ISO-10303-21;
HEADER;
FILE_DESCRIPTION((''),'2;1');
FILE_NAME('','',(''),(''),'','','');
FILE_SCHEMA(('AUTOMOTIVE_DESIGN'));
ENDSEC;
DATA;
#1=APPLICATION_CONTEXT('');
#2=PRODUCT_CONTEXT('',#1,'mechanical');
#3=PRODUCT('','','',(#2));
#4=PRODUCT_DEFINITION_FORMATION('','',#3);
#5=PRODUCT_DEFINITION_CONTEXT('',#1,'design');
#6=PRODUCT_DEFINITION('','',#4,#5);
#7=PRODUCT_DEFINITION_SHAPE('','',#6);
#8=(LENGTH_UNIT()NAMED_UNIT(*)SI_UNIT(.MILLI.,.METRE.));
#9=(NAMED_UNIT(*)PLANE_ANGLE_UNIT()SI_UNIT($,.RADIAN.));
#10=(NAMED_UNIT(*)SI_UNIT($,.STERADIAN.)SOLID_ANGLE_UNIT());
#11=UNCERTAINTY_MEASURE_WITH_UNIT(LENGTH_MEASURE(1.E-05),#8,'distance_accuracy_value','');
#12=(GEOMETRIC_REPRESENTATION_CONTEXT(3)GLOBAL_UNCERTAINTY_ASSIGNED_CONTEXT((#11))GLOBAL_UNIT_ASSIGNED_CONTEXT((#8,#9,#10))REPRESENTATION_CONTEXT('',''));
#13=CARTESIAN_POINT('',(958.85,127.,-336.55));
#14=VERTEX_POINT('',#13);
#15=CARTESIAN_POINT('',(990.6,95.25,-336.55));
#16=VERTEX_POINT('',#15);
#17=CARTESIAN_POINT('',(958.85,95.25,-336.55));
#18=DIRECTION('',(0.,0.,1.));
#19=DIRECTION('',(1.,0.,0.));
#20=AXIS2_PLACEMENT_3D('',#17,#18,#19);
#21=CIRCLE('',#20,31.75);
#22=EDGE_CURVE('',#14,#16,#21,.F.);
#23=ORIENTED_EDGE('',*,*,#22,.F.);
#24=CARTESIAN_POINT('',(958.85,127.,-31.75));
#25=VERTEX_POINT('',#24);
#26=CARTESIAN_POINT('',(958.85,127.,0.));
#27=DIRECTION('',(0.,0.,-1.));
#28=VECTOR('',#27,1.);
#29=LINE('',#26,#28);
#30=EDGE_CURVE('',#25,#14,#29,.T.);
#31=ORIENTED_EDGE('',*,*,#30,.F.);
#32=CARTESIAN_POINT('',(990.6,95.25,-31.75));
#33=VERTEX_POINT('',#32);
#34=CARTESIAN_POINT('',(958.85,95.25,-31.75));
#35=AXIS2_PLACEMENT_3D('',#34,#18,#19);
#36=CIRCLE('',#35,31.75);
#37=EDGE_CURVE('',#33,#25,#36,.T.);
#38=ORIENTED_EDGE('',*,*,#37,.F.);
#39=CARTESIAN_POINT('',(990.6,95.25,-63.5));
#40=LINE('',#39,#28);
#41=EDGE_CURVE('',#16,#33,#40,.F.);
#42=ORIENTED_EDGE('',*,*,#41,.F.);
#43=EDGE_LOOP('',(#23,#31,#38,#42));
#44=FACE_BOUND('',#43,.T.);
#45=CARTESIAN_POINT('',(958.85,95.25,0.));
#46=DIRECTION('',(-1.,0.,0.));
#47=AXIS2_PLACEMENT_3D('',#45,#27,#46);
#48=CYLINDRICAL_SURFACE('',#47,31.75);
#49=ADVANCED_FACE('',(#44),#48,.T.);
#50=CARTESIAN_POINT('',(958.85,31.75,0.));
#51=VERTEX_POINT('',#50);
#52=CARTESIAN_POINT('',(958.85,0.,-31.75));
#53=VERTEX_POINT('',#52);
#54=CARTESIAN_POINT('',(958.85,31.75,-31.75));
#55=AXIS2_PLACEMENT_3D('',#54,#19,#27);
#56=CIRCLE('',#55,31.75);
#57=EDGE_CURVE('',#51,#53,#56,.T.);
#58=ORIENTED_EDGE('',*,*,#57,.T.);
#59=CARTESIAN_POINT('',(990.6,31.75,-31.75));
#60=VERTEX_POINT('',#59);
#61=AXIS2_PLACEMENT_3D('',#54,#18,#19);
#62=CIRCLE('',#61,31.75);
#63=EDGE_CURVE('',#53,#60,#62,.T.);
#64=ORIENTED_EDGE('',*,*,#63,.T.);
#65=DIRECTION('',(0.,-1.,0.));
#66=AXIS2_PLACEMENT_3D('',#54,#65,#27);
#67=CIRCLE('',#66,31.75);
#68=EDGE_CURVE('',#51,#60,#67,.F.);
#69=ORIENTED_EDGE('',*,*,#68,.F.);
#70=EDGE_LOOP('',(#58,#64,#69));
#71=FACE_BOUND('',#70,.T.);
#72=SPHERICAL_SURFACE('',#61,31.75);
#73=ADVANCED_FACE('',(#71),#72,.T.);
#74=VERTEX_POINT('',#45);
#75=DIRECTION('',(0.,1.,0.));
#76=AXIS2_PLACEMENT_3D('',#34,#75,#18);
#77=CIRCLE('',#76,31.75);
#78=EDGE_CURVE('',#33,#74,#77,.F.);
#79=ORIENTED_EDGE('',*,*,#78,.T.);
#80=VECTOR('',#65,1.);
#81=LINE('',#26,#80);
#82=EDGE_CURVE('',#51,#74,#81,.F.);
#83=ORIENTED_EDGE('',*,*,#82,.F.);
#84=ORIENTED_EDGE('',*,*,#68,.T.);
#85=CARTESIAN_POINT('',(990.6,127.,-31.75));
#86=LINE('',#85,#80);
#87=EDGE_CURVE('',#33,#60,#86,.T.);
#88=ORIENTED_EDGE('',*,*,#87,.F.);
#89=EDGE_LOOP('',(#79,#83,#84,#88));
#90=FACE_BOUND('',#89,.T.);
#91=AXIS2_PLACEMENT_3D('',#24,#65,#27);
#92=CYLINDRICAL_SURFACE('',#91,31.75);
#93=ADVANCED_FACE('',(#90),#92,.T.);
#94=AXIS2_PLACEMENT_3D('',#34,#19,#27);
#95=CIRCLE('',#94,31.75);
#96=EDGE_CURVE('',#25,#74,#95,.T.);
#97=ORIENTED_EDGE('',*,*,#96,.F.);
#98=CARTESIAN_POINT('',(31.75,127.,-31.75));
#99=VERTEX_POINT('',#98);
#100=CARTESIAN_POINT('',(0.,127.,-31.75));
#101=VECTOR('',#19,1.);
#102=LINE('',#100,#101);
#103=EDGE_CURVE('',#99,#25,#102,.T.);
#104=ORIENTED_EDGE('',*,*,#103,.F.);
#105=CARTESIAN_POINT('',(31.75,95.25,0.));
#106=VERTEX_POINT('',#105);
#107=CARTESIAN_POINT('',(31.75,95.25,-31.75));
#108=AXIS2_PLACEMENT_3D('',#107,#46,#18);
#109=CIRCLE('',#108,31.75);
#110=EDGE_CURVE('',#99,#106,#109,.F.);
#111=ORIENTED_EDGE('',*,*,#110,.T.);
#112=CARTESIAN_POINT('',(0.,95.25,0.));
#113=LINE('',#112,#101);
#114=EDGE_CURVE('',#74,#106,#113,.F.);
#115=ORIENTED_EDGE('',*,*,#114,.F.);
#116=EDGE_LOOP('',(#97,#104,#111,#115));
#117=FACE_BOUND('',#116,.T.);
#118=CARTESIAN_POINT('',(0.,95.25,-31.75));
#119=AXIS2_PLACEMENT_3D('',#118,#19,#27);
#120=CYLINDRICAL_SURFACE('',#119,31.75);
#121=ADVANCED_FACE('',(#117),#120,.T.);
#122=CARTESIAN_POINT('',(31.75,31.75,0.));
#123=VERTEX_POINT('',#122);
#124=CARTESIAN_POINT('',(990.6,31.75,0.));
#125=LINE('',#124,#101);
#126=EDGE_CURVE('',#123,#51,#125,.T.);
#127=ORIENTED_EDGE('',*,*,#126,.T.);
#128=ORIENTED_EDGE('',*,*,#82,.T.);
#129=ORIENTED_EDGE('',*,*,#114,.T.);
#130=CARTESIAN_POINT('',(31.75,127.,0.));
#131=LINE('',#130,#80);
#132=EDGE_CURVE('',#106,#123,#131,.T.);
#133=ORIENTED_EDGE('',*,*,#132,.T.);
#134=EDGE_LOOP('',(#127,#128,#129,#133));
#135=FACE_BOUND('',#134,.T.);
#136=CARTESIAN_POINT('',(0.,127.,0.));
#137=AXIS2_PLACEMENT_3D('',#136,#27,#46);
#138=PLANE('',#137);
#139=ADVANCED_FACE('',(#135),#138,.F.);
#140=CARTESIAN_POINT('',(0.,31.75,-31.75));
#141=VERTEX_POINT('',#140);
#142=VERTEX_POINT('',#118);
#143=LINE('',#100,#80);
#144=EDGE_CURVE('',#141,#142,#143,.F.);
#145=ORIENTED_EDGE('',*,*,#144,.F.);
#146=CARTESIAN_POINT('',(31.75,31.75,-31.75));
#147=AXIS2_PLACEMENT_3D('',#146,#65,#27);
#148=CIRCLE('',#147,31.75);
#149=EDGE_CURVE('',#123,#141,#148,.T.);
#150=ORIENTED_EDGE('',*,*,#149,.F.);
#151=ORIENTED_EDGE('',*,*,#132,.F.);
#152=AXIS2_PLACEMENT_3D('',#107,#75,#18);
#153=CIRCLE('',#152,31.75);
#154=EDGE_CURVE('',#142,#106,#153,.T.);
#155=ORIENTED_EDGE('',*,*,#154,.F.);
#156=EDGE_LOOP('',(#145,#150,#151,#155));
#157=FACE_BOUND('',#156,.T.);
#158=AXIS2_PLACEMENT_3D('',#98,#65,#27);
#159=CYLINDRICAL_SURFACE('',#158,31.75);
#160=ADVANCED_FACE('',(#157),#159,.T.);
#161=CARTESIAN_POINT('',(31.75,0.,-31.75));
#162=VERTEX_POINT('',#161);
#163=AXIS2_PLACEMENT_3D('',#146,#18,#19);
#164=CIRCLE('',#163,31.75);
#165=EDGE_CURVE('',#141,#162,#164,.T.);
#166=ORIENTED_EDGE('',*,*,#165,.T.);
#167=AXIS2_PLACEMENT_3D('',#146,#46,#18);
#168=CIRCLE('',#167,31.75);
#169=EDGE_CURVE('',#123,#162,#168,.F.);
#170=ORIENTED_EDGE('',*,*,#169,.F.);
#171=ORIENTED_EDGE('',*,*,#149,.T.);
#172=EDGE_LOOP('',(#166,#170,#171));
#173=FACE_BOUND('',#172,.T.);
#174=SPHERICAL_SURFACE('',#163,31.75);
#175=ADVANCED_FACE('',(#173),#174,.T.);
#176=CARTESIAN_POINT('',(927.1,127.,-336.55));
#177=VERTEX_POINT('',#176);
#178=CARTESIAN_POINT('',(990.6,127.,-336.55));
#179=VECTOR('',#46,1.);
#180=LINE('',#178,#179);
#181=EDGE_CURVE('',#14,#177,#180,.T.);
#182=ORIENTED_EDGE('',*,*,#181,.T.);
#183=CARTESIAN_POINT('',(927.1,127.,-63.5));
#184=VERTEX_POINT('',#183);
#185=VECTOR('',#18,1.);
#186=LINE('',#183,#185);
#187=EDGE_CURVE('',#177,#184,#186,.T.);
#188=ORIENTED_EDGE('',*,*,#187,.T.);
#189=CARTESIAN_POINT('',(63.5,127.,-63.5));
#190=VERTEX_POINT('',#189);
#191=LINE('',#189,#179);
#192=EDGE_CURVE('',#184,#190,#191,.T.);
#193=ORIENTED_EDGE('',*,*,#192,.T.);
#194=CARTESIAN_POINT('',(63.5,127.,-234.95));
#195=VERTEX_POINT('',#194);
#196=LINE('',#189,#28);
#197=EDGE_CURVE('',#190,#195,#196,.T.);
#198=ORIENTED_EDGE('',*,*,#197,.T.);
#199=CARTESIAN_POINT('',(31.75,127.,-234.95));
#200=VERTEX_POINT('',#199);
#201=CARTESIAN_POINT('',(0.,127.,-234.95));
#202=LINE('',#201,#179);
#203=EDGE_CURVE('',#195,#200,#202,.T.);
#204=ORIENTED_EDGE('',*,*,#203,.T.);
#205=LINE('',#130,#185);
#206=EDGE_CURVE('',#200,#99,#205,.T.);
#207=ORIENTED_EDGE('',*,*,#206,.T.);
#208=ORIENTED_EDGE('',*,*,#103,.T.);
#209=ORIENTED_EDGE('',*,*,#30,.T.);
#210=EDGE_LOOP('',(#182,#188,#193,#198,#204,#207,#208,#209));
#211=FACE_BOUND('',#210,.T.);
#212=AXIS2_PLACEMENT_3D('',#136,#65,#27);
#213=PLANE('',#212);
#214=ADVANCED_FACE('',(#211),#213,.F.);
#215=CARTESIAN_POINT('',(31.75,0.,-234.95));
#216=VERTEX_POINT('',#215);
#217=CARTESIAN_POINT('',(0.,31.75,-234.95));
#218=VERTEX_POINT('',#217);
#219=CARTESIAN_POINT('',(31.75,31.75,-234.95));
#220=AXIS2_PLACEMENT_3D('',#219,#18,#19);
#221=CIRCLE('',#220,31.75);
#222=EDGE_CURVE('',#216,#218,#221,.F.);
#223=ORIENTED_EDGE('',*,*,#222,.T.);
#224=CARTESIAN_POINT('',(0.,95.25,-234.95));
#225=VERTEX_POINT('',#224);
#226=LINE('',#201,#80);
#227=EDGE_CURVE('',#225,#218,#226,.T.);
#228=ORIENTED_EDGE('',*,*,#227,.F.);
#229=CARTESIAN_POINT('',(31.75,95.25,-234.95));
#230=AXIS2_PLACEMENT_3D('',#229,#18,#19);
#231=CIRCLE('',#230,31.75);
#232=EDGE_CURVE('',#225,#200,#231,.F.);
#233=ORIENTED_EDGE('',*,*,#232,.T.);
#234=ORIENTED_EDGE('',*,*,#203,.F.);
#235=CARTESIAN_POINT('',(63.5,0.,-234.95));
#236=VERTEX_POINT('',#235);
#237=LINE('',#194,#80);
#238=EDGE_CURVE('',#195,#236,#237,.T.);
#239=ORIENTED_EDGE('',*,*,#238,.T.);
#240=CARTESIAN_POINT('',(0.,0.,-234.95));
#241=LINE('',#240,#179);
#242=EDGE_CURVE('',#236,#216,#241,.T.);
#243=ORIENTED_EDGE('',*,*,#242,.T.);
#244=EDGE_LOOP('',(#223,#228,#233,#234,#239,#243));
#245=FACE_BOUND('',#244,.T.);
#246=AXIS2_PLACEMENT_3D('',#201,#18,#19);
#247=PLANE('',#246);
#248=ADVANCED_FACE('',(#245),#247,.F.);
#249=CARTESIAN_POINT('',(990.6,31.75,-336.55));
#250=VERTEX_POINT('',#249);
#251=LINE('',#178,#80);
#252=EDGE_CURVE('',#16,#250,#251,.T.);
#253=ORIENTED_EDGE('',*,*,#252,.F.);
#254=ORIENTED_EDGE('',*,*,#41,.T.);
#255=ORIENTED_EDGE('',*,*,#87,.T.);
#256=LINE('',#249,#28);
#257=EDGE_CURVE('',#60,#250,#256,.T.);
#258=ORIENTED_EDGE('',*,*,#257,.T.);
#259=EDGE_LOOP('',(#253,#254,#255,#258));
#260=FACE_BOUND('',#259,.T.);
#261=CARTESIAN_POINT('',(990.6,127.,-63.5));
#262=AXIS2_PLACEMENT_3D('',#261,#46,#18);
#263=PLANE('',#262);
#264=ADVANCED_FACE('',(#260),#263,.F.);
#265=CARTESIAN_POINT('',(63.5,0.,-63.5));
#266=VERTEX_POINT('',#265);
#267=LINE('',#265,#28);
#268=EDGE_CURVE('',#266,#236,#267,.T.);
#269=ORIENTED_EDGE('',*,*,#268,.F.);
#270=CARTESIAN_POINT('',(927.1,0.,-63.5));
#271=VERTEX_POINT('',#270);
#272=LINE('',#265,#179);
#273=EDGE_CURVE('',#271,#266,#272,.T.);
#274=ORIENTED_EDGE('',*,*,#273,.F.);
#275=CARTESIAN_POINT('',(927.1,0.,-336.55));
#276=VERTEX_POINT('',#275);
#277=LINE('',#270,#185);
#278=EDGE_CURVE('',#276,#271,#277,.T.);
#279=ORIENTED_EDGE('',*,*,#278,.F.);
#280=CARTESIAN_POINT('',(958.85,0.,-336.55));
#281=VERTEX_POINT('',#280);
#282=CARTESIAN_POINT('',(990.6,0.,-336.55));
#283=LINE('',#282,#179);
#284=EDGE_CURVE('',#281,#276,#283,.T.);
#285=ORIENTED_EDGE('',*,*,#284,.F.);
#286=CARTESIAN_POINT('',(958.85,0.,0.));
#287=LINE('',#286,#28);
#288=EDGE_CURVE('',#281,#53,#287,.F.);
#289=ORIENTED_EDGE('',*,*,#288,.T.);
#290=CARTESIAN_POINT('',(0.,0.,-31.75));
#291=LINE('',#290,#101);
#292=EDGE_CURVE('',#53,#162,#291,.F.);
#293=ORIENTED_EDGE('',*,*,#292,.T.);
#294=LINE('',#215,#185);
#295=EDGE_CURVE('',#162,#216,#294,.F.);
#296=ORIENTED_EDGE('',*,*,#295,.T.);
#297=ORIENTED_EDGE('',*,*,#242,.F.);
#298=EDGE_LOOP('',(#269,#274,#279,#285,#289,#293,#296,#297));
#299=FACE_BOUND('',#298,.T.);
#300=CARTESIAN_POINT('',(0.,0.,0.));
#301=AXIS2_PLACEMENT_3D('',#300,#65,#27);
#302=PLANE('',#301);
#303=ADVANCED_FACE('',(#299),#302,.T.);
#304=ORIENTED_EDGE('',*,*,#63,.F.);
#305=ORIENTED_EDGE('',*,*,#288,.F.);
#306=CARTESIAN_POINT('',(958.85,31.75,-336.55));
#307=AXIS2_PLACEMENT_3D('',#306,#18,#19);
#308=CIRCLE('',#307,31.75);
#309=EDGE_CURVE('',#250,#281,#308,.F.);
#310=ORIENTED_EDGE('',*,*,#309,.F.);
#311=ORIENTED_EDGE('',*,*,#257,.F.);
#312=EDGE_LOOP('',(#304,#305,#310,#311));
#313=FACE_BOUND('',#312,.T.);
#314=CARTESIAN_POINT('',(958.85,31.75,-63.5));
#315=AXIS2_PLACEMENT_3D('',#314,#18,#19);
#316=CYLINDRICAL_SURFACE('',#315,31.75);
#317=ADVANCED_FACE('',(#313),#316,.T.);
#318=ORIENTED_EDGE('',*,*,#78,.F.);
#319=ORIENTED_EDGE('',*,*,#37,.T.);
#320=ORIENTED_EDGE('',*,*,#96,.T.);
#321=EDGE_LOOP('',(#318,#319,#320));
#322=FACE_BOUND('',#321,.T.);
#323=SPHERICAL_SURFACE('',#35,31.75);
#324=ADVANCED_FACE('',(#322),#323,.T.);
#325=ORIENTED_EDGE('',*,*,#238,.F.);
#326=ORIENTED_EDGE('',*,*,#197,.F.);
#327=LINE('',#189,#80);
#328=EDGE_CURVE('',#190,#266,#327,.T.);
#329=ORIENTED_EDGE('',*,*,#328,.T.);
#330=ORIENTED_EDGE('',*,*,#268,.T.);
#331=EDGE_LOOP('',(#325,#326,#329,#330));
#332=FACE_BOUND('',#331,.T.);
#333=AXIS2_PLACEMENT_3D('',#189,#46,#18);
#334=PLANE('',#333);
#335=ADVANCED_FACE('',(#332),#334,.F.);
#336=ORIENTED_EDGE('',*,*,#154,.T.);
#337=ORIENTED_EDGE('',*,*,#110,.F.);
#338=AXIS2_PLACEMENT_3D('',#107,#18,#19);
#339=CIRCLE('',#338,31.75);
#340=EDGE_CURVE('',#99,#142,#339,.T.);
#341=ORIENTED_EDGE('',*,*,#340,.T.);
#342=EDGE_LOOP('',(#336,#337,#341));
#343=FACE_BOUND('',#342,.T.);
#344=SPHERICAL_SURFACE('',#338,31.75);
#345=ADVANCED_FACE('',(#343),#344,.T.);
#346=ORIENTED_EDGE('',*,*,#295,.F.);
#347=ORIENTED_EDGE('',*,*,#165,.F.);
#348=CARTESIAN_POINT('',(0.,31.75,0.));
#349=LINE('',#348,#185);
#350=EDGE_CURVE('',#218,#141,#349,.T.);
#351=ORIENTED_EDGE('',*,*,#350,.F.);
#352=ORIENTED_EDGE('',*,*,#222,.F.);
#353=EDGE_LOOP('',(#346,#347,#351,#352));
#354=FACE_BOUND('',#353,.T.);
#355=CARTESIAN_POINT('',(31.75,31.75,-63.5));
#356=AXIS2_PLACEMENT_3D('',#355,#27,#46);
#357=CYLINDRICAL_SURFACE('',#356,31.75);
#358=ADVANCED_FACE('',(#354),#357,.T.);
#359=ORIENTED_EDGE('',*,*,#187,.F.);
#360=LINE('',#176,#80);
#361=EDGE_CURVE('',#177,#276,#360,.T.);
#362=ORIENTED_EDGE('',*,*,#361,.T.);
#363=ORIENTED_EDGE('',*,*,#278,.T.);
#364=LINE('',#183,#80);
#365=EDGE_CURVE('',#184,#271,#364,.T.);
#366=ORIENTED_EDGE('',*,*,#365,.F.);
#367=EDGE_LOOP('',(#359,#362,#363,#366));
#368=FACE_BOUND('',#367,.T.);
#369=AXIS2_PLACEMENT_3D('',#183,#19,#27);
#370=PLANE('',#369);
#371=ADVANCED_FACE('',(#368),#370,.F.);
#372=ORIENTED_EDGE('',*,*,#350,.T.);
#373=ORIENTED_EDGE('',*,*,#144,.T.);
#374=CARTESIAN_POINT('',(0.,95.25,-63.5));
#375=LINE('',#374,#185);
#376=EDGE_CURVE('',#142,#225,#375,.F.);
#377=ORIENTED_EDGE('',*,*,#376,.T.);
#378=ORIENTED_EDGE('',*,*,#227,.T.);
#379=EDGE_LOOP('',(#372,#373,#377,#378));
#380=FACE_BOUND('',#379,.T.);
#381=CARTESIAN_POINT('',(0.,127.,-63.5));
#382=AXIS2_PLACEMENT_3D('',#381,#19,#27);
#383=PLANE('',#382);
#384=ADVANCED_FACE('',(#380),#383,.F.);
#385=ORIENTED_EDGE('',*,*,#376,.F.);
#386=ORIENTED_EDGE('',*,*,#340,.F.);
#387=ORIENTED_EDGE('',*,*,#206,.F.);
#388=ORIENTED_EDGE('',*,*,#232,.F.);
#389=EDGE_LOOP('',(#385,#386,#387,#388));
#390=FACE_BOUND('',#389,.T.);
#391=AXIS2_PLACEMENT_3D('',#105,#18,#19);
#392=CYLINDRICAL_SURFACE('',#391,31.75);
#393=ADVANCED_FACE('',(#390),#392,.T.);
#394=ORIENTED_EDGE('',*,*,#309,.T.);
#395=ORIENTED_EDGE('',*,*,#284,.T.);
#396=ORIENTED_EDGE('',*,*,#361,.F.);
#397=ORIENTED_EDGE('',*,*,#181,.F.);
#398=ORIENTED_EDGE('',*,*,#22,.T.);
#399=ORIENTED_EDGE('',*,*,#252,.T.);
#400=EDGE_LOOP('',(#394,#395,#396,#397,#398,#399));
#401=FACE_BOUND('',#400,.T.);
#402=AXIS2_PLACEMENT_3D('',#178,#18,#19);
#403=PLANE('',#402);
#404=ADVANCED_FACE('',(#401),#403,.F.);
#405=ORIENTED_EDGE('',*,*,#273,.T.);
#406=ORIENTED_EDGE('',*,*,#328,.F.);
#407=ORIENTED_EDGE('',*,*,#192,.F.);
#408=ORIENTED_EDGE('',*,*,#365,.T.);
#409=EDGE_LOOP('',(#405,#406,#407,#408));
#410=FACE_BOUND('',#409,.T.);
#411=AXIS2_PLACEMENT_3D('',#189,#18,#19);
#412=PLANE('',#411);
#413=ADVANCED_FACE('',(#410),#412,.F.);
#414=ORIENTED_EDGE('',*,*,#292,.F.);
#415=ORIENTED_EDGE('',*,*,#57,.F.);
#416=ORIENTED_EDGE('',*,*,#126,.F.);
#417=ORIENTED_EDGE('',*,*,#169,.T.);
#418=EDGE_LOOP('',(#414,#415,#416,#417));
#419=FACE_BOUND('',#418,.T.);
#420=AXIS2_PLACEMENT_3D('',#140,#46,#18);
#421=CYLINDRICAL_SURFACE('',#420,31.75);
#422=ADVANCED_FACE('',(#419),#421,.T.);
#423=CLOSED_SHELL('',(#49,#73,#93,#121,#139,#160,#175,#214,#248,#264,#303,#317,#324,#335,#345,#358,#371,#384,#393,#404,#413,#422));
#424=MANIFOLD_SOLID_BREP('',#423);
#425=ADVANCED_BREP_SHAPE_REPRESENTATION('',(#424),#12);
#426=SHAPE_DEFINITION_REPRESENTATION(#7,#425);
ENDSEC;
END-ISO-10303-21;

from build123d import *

# Parameters (mm, degrees)
BOSS_EXTRUDE1_DEPTH = 127
FILLET1_R           = 31.75


with BuildPart() as part:
    # Sketch1 → Boss-Extrude1 (new body)
    with BuildSketch(Plane(origin=(0, 0, 0), x_dir=(1, 0, 0), z_dir=(0, 1, 0))):
        Polygon((63.5, 63.5), (927.1, 63.5), (927.1, 336.55), (990.6, 336.55), (990.6, 63.5), (990.6, 0), (0, 0), (0, 63.5), (0, 234.95), (63.5, 234.95), align=None)
    extrude(amount=BOSS_EXTRUDE1_DEPTH)

    # Fillet1
    fillet1_edges = [part.edges().sort_by_distance(p)[0] for p in [
        (495.3, 127, 0),
        (990.6, 0, -168.275),
        (495.3, 0, 0),
        (0, 0, -117.475),
        (990.6, 127, -168.275),
        (990.6, 63.5, 0),
        (0, 63.5, 0),
        (0, 127, -117.475),
    ]]
    fillet(fillet1_edges, radius=FILLET1_R)


solid = part.part
